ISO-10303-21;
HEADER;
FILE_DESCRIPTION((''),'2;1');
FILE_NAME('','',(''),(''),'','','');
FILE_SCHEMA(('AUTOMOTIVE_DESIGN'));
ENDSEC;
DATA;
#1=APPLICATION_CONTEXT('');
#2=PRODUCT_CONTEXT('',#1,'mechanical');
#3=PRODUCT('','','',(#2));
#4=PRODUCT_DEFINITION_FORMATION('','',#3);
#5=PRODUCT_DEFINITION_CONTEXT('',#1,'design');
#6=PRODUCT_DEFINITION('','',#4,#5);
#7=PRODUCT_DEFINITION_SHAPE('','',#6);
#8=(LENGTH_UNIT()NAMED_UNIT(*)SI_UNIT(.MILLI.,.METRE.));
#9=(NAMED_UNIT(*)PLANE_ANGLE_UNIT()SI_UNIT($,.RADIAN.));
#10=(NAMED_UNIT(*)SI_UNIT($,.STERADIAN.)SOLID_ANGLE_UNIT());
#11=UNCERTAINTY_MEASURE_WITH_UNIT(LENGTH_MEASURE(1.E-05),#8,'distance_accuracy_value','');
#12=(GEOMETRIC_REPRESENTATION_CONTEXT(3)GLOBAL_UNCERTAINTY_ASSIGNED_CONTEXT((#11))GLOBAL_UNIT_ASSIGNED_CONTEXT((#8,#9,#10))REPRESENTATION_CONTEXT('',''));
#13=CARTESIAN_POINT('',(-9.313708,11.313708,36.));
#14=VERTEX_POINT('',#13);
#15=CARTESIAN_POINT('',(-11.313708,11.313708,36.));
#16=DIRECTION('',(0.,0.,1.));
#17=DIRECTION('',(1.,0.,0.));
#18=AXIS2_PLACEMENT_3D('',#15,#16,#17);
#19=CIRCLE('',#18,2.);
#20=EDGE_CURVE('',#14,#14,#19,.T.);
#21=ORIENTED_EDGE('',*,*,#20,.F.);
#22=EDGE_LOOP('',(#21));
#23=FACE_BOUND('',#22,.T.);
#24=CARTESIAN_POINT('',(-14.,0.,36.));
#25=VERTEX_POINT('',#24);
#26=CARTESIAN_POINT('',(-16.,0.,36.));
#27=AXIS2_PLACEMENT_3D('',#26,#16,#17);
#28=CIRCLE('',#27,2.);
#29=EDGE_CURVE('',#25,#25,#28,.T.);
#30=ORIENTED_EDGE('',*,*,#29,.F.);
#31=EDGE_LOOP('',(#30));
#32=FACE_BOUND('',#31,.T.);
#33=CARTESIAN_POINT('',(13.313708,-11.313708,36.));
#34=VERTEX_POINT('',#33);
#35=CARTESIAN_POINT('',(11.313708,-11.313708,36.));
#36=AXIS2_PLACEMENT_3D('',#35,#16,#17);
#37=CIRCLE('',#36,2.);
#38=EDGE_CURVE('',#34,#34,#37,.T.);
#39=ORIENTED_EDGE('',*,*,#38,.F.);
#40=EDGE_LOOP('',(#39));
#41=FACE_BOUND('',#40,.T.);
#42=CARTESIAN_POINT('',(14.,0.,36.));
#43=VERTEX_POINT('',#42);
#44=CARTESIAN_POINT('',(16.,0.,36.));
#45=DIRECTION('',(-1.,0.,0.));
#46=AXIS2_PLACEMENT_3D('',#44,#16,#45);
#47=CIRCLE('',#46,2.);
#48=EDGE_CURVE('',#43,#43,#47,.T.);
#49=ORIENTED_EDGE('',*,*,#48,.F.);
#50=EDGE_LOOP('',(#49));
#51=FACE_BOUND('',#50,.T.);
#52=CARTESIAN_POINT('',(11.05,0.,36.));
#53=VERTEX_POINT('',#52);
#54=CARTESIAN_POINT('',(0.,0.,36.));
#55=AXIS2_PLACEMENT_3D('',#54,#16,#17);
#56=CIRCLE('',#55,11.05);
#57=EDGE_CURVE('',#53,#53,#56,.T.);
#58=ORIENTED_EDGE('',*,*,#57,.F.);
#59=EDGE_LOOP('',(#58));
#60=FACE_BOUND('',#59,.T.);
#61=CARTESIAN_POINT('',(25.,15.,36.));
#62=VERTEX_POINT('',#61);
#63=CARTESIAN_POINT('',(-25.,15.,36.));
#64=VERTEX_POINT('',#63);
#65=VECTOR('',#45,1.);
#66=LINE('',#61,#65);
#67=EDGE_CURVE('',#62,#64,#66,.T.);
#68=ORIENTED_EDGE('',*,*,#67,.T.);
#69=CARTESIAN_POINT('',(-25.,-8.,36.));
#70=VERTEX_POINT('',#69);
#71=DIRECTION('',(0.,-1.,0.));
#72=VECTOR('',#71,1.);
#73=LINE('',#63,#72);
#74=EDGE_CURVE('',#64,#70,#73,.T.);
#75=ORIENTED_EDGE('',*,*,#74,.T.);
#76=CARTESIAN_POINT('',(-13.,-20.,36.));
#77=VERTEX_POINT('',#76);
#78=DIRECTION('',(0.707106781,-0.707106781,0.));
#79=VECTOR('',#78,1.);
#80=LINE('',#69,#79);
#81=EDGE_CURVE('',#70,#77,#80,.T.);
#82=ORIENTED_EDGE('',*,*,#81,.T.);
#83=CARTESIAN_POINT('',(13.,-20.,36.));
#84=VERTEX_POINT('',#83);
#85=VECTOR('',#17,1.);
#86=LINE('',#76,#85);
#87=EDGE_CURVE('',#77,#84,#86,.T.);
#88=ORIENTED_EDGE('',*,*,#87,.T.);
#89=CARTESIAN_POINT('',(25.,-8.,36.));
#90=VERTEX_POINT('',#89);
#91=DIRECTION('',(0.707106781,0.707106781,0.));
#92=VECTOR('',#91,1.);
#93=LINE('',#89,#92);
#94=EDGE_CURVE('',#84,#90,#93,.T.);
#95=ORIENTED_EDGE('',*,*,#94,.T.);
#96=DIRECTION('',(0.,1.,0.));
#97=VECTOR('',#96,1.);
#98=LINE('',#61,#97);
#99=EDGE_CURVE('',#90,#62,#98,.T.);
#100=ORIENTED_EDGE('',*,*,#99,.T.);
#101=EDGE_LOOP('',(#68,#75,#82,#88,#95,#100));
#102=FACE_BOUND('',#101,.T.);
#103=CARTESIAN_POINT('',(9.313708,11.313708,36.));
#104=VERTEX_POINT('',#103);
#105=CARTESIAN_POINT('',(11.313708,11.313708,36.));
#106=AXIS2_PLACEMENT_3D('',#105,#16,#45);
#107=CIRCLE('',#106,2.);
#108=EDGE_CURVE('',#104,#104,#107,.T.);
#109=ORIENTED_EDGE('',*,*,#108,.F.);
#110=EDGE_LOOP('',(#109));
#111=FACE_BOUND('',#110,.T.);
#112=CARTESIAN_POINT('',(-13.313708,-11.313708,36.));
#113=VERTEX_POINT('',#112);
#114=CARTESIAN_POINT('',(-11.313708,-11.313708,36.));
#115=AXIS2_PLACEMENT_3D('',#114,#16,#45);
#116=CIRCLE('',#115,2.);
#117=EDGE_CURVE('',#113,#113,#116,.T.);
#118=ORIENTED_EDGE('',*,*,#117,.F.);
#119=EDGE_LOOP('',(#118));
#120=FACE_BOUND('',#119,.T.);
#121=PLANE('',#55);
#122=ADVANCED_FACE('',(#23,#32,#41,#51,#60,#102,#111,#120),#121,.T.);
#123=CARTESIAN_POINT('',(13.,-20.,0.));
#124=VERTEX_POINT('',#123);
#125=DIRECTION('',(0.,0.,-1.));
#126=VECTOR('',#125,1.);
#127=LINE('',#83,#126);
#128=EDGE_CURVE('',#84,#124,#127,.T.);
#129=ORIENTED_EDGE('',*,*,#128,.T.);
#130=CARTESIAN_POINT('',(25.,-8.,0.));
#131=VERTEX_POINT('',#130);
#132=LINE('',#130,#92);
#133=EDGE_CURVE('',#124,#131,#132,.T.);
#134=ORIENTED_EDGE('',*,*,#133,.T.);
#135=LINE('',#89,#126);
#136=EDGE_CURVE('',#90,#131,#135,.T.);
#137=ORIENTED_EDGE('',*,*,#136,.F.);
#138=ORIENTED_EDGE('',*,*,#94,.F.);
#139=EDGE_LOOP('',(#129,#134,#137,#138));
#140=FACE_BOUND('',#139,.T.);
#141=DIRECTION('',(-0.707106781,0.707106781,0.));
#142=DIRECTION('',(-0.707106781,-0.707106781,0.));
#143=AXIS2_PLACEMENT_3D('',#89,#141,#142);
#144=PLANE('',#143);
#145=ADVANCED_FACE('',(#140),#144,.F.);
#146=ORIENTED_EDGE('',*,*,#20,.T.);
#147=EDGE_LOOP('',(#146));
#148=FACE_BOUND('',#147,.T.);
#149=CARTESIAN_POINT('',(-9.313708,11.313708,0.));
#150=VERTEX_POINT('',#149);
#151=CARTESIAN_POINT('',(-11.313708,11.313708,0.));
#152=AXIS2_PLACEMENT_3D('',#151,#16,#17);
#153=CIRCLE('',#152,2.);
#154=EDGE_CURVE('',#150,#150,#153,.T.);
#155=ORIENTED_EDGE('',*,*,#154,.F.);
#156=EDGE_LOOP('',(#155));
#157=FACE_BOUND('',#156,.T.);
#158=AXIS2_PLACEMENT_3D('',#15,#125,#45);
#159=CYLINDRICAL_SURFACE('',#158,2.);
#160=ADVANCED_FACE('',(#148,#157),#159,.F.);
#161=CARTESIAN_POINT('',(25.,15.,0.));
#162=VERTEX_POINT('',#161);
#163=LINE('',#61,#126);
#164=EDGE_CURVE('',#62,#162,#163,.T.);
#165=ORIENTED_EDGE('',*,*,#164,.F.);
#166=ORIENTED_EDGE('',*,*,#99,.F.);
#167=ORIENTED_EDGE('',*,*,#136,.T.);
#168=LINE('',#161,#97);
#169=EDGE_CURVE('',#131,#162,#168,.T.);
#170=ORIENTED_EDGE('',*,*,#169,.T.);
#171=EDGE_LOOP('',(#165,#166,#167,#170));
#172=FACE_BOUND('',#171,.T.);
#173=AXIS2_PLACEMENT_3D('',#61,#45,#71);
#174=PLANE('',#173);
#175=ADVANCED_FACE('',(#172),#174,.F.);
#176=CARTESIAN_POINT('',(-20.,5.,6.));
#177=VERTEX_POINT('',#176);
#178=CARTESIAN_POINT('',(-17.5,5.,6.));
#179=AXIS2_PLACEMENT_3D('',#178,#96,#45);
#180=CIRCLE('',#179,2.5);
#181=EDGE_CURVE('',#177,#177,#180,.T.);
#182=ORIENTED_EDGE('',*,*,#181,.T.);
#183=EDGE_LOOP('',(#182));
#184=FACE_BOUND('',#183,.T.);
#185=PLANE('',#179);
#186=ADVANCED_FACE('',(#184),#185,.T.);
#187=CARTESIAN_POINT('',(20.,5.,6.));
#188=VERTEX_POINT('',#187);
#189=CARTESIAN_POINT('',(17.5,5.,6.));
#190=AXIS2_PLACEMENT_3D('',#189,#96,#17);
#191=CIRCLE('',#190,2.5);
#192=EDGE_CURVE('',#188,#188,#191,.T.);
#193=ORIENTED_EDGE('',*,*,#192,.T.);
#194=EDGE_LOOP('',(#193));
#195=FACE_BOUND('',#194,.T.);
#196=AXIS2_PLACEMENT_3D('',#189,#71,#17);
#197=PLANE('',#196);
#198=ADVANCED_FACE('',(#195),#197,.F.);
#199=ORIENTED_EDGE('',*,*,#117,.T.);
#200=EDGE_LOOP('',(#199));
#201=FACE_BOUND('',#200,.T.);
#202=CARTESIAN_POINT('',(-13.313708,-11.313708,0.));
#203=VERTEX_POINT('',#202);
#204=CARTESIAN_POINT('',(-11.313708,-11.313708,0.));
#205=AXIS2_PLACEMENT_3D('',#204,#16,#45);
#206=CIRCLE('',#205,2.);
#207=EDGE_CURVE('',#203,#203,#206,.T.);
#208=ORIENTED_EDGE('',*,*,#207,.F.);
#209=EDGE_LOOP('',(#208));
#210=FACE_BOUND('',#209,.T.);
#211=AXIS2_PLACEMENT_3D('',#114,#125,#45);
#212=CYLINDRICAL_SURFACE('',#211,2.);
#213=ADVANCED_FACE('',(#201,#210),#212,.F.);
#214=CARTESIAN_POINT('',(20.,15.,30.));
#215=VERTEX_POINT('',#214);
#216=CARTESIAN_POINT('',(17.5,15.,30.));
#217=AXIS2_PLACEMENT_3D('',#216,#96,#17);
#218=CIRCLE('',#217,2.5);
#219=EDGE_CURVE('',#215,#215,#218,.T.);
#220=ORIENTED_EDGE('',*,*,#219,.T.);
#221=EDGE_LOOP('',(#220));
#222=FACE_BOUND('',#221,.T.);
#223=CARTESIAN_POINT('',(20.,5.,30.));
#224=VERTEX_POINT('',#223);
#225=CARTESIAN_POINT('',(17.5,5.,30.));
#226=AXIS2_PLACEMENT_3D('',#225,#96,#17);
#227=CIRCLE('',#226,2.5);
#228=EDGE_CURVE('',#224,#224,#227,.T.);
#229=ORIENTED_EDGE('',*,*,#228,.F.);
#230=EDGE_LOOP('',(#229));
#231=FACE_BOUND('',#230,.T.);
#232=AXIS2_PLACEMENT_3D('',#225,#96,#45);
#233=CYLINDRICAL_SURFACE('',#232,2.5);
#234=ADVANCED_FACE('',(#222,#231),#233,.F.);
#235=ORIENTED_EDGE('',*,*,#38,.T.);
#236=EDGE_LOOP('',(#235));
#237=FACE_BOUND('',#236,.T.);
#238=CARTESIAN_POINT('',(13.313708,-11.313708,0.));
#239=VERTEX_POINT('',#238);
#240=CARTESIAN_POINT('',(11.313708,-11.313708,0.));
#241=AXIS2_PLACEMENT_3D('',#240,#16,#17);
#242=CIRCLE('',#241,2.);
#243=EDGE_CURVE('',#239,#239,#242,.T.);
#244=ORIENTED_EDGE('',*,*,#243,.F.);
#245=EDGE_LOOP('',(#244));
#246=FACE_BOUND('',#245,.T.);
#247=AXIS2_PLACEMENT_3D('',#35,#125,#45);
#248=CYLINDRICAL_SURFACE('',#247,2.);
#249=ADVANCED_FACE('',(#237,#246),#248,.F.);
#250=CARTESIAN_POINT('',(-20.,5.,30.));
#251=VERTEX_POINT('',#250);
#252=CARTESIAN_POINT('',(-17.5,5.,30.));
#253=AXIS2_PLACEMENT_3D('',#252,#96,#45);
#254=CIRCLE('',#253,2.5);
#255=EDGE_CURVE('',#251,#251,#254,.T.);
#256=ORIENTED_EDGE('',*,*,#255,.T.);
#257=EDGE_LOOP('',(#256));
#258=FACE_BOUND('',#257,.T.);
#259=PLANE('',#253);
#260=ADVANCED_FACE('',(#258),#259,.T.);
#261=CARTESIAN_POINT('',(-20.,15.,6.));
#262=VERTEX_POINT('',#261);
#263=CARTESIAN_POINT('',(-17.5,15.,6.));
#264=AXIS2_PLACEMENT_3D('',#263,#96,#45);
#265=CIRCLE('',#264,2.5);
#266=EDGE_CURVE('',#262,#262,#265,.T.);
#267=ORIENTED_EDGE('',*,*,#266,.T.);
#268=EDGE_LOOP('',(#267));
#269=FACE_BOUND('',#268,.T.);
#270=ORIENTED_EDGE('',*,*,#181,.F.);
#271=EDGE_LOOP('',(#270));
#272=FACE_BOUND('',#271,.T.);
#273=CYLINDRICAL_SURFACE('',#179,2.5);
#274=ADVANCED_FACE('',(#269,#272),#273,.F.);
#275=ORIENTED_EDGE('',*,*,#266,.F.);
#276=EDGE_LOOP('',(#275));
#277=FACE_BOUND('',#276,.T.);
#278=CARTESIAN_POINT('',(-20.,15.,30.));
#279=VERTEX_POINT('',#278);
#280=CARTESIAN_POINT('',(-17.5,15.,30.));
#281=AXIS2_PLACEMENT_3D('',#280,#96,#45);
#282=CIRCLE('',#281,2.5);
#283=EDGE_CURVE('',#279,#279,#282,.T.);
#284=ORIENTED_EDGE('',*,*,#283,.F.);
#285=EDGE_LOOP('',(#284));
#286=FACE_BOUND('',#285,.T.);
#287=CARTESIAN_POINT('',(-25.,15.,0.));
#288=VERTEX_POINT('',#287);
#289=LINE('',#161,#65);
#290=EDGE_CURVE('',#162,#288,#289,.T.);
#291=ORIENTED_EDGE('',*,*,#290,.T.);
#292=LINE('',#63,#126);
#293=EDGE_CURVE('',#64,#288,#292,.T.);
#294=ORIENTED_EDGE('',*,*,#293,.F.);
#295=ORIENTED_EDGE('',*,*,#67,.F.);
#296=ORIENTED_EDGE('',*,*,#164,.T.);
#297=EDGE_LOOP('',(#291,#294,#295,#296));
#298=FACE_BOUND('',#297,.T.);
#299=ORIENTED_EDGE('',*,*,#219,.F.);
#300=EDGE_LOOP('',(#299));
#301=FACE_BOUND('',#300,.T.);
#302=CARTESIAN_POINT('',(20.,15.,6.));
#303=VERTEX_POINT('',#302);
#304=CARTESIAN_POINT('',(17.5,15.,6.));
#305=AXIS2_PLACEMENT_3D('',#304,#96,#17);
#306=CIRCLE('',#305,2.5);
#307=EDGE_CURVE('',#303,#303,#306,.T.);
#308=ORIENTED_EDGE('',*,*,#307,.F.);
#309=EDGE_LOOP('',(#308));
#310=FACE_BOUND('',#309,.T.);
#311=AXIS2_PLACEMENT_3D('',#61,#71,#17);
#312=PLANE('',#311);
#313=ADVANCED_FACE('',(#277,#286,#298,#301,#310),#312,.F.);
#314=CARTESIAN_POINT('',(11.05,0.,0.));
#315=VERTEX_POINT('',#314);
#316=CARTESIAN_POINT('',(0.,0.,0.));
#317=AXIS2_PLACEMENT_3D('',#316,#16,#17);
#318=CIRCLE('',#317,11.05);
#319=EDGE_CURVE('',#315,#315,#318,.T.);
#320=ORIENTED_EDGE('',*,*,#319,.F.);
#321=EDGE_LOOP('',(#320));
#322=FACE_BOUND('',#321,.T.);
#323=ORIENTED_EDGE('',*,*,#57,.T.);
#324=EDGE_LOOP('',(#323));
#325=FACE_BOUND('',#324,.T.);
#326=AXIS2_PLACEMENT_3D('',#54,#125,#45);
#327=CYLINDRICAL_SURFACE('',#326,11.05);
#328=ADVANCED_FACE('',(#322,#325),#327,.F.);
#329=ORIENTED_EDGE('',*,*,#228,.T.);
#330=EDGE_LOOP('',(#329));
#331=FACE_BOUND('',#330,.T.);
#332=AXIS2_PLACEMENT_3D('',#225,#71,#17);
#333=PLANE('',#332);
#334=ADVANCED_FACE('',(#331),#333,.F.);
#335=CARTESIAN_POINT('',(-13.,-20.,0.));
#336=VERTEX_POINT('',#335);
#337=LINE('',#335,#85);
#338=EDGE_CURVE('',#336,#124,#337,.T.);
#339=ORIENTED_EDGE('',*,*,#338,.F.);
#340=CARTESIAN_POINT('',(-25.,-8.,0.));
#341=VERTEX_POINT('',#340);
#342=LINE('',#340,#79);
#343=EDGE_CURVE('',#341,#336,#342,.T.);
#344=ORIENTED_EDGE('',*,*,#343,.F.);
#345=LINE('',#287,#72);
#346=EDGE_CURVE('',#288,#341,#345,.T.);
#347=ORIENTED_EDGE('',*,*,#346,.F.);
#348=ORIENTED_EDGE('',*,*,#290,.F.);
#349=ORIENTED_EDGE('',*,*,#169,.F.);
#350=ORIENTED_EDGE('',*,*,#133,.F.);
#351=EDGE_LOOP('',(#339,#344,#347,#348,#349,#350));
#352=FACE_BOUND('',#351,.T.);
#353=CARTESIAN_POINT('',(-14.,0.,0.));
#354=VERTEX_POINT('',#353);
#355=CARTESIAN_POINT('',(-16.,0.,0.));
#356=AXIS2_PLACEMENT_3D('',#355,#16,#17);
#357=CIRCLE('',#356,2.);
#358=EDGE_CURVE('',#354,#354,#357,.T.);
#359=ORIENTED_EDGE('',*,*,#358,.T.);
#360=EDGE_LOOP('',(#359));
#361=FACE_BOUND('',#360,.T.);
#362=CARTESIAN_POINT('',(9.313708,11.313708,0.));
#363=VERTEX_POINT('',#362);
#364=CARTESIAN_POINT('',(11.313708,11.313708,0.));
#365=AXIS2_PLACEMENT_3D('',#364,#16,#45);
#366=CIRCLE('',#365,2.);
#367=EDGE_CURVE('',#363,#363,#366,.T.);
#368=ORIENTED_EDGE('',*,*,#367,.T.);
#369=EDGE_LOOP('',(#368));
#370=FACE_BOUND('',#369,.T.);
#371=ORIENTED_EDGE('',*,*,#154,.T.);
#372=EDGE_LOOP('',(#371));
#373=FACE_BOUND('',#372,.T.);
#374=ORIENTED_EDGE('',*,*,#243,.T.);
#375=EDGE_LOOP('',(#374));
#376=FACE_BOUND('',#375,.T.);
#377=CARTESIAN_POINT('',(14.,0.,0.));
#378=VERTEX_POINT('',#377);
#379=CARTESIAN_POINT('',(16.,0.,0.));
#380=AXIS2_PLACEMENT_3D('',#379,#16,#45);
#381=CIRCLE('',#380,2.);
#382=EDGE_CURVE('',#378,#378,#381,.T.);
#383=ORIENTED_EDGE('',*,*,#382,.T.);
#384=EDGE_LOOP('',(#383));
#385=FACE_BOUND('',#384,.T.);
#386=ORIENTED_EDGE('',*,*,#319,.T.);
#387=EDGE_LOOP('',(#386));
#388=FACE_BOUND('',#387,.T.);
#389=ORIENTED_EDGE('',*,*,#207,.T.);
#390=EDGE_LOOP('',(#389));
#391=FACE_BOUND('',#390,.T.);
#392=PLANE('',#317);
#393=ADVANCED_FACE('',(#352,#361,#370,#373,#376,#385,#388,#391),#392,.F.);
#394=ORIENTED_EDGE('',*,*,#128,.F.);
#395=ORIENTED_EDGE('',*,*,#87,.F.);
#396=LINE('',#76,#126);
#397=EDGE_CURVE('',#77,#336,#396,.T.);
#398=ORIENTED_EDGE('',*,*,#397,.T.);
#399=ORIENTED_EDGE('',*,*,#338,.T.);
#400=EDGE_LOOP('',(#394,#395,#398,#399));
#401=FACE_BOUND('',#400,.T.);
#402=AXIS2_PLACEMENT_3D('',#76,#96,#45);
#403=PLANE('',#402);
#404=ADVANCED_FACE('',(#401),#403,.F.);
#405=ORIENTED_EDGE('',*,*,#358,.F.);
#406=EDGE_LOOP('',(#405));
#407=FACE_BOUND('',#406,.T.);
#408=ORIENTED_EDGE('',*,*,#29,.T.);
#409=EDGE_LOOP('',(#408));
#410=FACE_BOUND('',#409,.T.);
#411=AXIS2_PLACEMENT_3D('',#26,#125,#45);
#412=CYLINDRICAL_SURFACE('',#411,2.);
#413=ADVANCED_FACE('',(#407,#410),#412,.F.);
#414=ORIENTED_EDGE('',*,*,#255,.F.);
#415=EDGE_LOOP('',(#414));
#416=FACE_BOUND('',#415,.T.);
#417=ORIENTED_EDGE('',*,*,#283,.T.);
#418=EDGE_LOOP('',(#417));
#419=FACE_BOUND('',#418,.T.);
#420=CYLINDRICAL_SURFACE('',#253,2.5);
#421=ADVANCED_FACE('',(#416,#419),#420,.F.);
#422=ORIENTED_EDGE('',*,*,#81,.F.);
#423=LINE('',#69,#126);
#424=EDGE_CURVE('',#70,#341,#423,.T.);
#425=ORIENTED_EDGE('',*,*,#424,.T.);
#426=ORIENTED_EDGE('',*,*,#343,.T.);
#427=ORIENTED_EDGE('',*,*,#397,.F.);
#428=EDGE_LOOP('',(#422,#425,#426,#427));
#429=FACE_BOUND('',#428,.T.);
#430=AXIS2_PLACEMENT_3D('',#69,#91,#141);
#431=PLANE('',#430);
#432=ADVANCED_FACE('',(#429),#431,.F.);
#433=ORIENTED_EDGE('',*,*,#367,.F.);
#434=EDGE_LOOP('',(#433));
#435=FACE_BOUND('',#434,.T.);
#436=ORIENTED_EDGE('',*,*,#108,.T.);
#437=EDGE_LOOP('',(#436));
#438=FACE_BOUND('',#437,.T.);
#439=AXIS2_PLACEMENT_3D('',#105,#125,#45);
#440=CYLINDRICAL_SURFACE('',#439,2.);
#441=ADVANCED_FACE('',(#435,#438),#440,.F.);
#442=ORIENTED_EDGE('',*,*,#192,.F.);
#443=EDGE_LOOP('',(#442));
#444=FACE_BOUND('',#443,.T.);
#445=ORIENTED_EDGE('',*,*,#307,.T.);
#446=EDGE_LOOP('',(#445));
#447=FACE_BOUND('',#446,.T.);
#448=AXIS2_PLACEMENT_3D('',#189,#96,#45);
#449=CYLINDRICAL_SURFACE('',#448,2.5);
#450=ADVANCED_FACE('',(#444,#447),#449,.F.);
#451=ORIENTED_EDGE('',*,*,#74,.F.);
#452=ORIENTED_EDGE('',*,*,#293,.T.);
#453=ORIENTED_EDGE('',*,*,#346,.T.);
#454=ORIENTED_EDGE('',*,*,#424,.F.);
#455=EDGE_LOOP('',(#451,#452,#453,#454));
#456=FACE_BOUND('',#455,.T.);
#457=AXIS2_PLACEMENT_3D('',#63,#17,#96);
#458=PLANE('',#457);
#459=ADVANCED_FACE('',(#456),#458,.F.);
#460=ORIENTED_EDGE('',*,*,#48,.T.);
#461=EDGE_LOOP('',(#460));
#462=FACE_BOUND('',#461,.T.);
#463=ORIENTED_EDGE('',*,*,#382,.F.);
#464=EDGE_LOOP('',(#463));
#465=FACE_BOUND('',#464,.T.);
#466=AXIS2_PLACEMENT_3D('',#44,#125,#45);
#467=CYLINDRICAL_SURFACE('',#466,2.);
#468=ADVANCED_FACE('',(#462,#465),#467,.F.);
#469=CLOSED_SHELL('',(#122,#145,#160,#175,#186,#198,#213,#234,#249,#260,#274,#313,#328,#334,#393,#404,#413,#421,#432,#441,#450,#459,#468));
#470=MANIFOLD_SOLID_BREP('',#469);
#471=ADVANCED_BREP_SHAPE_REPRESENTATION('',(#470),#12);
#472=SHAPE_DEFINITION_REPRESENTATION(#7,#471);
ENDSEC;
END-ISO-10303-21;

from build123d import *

# Parameters (mm, degrees)
SKETCH_1_R          = 11.05
SKETCH_1_R_2        = 2
EXTRUDE_1_DEPTH     = 36
SKETCH_3_R          = 2.5
CUT_EXTRUDE_1_DEPTH = 10


with BuildPart() as part:
    # 草图1 → 凸台-拉伸1 (new body)
    with BuildSketch(Plane.XY):
        Polygon((25, 15), (-25, 15), (-25, -8), (-13, -20), (13, -20), (25, -8), align=None)
        Circle(SKETCH_1_R, mode=Mode.SUBTRACT)
        with Locations((-16, 0)):
            Circle(SKETCH_1_R_2, mode=Mode.SUBTRACT)
        with Locations((-11.313708499, 11.313708499)):
            Circle(SKETCH_1_R_2, mode=Mode.SUBTRACT)
        with Locations((-11.313708499, -11.313708499)):
            Circle(SKETCH_1_R_2, mode=Mode.SUBTRACT)
        with Locations((11.313708499, -11.313708499)):
            Circle(SKETCH_1_R_2, mode=Mode.SUBTRACT)
        with Locations((11.313708499, 11.313708499)):
            Circle(SKETCH_1_R_2, mode=Mode.SUBTRACT)
        with Locations((16, 0)):
            Circle(SKETCH_1_R_2, mode=Mode.SUBTRACT)
    extrude(amount=EXTRUDE_1_DEPTH)

    # 草图3 → 切除-拉伸1 (cut)
    with BuildSketch(Plane(origin=(0, 15, 0), x_dir=(1, 0, 0), z_dir=(0, 1, 0))):
        with Locations((-17.5, -6)):
            Circle(SKETCH_3_R)
        with Locations((-17.5, -30)):
            Circle(SKETCH_3_R)
        with Locations((17.5, -30)):
            Circle(SKETCH_3_R)
        with Locations((17.5, -6)):
            Circle(SKETCH_3_R)
    extrude(amount=-CUT_EXTRUDE_1_DEPTH, mode=Mode.SUBTRACT)


solid = part.part
